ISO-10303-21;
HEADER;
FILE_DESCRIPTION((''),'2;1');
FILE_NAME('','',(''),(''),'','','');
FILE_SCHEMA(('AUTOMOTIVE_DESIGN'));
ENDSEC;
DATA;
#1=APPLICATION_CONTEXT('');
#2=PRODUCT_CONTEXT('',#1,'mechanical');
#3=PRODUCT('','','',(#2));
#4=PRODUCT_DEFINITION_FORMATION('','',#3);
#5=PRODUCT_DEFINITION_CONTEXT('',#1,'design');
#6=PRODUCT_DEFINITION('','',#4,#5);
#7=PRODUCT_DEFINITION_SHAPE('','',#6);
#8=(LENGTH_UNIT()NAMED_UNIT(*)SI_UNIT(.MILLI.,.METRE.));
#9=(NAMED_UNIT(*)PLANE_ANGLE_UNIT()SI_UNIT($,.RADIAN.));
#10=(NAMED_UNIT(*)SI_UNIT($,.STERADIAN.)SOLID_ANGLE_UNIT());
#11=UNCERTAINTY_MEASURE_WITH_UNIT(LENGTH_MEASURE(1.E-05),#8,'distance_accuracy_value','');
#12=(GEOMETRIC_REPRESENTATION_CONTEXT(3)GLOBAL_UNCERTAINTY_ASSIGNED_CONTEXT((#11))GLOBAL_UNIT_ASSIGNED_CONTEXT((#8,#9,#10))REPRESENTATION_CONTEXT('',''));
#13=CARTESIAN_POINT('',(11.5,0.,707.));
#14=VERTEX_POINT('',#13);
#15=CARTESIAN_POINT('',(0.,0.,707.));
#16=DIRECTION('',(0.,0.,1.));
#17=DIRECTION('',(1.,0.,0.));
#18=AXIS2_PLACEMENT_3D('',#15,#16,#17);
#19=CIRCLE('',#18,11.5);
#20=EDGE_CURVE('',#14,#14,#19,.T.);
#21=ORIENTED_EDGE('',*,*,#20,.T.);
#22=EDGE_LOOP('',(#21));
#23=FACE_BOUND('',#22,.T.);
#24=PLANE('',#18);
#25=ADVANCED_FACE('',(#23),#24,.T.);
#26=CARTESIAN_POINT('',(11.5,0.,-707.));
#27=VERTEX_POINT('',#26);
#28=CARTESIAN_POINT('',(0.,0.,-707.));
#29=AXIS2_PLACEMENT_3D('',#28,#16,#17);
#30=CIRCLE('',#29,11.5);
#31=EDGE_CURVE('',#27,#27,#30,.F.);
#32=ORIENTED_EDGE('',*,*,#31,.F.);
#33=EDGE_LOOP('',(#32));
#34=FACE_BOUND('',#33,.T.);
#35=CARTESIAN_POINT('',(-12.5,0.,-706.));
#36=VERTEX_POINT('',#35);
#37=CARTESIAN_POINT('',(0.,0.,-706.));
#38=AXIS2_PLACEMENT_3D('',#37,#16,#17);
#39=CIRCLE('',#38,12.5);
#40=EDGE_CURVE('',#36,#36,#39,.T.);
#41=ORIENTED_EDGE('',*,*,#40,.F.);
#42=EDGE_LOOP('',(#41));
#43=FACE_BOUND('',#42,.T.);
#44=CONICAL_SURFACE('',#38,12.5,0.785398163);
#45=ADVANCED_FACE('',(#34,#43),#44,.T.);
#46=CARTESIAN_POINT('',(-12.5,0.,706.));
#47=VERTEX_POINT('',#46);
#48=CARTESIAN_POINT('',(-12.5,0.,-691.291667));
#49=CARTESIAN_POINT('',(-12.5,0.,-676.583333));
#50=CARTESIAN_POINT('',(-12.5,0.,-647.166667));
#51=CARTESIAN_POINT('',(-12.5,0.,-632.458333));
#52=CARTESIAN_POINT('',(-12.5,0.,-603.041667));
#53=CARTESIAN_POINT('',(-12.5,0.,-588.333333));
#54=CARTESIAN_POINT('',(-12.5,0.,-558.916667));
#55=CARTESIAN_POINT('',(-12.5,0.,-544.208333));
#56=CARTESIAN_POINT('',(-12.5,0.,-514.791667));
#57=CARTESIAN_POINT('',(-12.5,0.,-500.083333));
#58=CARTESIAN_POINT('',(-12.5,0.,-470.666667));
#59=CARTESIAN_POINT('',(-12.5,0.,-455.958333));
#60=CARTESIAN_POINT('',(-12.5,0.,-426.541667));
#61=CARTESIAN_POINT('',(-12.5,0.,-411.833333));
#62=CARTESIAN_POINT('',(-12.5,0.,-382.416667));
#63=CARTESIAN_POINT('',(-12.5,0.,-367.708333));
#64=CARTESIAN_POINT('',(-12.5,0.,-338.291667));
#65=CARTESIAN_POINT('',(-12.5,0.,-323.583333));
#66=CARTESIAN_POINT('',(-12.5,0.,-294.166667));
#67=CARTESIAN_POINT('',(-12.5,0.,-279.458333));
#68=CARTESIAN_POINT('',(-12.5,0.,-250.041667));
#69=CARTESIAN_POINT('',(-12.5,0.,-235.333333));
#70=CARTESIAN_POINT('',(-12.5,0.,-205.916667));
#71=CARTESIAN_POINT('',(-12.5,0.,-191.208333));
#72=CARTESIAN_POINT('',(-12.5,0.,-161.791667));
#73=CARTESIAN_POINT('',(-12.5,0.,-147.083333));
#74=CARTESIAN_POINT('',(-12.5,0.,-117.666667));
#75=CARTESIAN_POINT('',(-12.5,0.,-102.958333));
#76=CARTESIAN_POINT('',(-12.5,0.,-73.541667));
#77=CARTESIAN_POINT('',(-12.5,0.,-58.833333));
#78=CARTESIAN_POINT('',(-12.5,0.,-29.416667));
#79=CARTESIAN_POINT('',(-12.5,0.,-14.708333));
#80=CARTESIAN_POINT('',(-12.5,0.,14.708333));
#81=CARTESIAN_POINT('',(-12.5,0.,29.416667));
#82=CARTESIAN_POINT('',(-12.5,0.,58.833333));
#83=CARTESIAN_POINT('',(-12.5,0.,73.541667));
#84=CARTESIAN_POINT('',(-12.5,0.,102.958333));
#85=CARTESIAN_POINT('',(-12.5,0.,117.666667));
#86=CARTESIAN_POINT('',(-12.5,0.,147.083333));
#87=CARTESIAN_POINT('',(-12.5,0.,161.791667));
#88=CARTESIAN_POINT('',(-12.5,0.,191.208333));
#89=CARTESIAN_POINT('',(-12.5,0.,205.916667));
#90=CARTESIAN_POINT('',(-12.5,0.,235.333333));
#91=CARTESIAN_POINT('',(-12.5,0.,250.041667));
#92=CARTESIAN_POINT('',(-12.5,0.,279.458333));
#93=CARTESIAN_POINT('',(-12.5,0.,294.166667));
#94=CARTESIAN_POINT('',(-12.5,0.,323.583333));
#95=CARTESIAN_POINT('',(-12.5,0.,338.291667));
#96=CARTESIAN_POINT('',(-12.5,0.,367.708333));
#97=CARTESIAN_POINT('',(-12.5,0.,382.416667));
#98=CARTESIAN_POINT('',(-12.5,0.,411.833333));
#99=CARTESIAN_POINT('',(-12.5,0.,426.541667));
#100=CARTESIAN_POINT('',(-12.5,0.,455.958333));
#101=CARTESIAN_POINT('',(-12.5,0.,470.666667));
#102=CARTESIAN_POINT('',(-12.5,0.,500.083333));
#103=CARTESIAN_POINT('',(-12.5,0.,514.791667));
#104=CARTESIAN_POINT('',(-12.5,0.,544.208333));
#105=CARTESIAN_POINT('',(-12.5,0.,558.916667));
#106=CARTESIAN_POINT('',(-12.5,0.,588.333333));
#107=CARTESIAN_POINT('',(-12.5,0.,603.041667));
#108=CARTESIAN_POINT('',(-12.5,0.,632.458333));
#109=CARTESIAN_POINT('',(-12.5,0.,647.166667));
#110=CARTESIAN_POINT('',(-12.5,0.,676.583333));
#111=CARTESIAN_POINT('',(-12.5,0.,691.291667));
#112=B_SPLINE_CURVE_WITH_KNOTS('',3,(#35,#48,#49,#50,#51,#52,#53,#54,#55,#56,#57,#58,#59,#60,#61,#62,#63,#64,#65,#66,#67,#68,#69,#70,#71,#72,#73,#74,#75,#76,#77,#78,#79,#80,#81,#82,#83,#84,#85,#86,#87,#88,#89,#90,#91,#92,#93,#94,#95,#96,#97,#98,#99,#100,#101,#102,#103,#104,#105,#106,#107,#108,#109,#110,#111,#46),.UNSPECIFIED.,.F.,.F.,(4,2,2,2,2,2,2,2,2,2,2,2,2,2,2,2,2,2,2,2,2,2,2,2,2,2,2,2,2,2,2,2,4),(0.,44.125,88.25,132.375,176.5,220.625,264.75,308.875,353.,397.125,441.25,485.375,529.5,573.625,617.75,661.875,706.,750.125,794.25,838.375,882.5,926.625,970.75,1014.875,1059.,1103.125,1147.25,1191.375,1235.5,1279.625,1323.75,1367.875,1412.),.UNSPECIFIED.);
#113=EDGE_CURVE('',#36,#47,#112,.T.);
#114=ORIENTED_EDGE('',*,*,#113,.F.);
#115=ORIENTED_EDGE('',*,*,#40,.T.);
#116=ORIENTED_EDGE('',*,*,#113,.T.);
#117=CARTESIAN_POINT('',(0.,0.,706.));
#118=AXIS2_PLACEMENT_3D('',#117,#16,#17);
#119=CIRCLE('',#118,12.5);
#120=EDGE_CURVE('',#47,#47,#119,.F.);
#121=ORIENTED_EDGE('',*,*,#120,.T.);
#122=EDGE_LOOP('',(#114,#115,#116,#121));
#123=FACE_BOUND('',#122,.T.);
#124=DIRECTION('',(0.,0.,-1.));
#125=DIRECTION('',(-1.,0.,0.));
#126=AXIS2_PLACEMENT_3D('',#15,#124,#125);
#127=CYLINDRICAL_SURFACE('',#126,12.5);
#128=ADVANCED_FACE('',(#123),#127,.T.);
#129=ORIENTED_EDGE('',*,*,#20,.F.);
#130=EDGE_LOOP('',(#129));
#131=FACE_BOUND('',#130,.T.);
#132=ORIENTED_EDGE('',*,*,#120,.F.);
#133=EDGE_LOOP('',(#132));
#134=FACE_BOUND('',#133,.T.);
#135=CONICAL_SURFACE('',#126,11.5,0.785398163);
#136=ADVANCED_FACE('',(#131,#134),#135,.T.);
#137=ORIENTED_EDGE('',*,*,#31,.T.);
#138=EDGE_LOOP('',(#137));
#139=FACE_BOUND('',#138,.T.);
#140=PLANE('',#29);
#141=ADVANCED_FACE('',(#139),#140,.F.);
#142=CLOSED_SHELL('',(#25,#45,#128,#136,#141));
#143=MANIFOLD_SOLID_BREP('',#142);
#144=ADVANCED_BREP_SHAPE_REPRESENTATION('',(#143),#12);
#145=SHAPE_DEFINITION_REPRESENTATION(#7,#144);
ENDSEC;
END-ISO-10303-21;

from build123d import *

# Parameters (mm, degrees)
SKETCH_1_R      = 12.5
EXTRUDE_1_DEPTH = 707
CHAMFER_1_SIZE  = 1


with BuildPart() as part:
    # Эскиз1 → Бобышка-Вытянуть1 (new, symmetric)
    with BuildSketch(Plane.XY):
        Circle(SKETCH_1_R)
    extrude(amount=EXTRUDE_1_DEPTH, both=True)

    # Фаска1
    chamfer_1_edges = [part.edges().sort_by_distance(p)[0] for p in [
        (-12.5, 0, -707),
        (-12.5, 0, 707),
    ]]
    chamfer(chamfer_1_edges, length=CHAMFER_1_SIZE)


solid = part.part
